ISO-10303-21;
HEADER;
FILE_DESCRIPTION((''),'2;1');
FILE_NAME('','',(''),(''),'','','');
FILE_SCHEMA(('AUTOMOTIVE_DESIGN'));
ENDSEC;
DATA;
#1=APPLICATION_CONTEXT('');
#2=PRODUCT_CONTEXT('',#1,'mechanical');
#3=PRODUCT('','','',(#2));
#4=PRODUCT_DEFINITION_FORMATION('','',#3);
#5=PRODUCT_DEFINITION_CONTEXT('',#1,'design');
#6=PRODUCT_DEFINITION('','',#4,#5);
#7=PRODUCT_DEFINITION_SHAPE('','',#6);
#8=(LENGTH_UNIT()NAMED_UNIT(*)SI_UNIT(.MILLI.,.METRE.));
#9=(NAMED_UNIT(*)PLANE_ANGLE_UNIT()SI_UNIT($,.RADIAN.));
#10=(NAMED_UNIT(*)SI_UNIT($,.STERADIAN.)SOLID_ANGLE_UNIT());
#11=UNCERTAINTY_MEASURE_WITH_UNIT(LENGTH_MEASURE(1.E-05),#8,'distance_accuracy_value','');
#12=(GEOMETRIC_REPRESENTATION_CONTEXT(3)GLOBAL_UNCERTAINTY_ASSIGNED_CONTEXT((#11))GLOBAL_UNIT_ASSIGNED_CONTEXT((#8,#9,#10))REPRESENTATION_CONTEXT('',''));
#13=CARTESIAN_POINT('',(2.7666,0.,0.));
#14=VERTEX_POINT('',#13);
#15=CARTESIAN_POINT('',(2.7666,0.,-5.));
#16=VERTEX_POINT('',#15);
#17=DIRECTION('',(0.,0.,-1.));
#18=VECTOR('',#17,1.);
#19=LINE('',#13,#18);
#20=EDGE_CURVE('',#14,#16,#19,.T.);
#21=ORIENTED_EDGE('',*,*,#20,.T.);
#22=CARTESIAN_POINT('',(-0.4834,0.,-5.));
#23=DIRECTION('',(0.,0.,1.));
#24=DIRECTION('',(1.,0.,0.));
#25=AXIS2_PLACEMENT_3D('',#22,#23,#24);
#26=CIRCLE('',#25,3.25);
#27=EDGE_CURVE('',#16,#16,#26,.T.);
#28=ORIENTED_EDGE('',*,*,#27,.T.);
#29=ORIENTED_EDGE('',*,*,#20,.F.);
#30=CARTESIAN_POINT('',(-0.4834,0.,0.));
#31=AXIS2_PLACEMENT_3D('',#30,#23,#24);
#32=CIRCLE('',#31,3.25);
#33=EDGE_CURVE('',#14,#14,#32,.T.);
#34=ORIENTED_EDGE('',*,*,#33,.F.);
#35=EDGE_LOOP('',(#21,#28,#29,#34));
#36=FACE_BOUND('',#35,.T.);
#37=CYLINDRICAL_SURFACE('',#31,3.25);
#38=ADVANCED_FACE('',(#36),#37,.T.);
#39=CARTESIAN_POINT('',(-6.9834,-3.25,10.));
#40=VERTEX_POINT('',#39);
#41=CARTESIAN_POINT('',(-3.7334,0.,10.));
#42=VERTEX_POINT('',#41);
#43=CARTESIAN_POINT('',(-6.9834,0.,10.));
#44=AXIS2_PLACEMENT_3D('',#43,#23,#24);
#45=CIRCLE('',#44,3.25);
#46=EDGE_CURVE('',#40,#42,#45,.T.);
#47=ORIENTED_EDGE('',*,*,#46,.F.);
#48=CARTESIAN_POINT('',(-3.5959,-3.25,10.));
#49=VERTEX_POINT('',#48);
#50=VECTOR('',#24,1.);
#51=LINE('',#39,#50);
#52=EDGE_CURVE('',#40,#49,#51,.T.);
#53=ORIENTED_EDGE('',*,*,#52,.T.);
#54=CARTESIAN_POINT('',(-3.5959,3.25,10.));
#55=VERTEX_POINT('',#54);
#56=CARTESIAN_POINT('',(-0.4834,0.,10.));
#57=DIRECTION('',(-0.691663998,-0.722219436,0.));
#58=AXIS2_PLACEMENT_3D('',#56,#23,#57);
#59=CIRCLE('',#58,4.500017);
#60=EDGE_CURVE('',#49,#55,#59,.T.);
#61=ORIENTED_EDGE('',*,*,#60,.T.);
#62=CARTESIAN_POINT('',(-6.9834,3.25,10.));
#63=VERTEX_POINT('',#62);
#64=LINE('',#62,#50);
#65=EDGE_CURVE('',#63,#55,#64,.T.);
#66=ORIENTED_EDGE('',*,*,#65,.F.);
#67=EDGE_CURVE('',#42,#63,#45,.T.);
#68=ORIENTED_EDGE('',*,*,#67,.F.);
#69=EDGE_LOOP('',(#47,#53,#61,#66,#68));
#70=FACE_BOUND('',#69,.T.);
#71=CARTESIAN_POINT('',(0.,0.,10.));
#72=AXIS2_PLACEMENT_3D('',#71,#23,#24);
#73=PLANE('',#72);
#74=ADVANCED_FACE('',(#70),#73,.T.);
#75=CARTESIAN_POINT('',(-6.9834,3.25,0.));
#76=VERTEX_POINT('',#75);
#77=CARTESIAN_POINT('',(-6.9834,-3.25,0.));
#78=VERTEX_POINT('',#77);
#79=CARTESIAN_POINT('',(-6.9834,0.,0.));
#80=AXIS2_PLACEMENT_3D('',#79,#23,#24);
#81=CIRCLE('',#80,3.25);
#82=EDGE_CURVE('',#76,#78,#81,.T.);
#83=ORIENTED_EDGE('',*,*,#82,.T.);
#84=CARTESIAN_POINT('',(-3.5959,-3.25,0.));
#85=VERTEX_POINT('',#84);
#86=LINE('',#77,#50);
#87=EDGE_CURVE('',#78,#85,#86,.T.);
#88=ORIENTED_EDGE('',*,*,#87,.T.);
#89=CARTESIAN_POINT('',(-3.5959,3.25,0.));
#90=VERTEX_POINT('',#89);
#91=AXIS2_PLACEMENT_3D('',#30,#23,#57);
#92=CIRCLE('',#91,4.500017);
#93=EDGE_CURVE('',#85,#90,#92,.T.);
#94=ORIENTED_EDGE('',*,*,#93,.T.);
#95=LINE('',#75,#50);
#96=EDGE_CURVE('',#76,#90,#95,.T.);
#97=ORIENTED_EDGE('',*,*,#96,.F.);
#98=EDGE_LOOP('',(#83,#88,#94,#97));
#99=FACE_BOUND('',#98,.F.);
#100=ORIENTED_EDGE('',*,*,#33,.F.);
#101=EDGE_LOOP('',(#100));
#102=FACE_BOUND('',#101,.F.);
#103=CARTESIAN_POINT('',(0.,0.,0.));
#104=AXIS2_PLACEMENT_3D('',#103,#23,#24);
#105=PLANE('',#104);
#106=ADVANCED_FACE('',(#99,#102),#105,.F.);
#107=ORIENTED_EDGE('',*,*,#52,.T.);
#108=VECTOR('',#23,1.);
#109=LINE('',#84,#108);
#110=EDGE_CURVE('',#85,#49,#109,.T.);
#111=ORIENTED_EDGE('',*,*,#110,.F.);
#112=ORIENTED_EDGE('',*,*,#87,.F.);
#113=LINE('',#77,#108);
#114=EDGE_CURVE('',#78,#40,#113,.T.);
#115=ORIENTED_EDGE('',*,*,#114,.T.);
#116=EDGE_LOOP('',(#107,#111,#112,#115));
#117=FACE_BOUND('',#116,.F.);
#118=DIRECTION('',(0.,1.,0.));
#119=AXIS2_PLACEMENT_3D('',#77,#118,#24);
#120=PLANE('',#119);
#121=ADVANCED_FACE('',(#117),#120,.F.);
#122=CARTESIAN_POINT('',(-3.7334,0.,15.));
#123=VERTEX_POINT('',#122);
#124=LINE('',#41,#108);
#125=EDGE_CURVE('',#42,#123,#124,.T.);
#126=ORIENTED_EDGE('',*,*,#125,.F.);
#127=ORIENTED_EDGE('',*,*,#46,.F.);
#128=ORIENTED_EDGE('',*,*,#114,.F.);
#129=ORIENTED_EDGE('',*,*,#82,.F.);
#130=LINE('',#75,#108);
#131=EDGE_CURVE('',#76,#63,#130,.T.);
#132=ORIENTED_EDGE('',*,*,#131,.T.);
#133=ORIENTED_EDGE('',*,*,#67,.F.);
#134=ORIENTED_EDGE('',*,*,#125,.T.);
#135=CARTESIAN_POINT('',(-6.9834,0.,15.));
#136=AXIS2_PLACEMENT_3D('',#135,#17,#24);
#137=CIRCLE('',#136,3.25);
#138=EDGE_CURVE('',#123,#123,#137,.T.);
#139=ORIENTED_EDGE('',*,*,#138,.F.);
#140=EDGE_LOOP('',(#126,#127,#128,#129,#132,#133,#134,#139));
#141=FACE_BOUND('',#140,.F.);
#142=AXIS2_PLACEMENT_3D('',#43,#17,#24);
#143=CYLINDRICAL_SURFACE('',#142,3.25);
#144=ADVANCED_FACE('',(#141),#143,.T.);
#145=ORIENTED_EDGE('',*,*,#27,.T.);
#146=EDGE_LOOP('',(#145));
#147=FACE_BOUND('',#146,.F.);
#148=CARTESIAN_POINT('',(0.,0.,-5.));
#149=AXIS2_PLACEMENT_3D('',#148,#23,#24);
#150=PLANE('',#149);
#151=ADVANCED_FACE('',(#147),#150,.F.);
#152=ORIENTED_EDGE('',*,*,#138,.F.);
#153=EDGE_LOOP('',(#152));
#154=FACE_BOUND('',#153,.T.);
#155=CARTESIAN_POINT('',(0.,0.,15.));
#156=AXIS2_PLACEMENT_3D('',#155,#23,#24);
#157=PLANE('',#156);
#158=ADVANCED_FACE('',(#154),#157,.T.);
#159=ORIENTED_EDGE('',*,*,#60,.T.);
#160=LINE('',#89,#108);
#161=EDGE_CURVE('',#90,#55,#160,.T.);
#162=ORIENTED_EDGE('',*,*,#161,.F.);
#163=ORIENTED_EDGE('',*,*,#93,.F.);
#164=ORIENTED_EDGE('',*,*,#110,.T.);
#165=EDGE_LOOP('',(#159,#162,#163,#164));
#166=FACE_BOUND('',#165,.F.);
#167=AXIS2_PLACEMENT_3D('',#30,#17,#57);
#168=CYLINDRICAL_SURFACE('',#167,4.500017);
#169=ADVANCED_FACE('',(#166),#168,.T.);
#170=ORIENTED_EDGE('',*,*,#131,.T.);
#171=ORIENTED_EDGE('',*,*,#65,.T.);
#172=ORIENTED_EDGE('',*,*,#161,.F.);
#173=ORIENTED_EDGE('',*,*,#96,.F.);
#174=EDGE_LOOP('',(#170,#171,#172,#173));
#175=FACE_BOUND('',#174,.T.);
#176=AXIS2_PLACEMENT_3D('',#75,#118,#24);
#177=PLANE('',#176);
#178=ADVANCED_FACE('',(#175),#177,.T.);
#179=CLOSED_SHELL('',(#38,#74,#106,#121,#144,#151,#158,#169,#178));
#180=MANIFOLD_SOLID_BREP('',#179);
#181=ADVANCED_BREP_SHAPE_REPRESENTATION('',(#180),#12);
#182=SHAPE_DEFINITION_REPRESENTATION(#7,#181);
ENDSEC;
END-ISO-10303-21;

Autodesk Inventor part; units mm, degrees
ref_plane "YZ Plane" through (0, 0, 0) normal (1, 0, 0) x (0, 1, 0)
ref_plane "XZ Plane" through (0, 0, 0) normal (0, 1, 0) x (-1, 0, 0)
ref_plane "XY Plane" through (0, 0, 0) normal (0, 0, 1) x (1, 0, 0)
sketch "Sketch2" plane through (0, 0, 0) normal (0, 0, 1) x (1, 0, 0)
  line L0 (-6.9834, -3.25) -> (-3.5959, -3.25)
  arc A0 (-3.5959, -3.25) -> (-3.5959, 3.25) centre (-0.4834, 0) ccw
  circle A1 centre (-6.9834, 0) radius 3.25
  line L1 (7.6359, 0) -> (-9.8597, 0) construction
  line L2 (-6.9834, 3.25) -> (-3.5959, 3.25)
  circle A2 centre (-6.9834, 0) radius 3.25
  circle A3 centre (-0.4834, 0) radius 3.25
  point P0 (-7.0471, -3.1146)
  dimension "d6" = 6.5
  dimension "d7" = 9
  dimension "d8" = 6.5
extrude "Extrusion1" add sketch "Sketch2" along normal blind 10 contours A3 | A1 L2 A0 L0 | A1
extrude "Extrusion2" add sketch "Sketch2" against normal blind 5 contours A3
sketch "Sketch3" plane through (0, 0, 10) normal (0, 0, 1) x (1, 0, 0)
  arc A0 (-6.9834, 3.25) -> (-6.9834, -3.25) centre (-6.9834, 0) ccw projected
  line L0 (-3.5959, 3.25) -> (-6.9834, 3.25) projected
  arc A1 (-3.5959, -3.25) -> (-3.5959, 3.25) centre (-0.4834, 0) ccw
  line L1 (-6.9834, -3.25) -> (-3.5959, -3.25) projected
  circle A2 centre (-6.9834, 0) radius 3.25
  point P0 (-6.9834, -3.25)
  point P1 (-6.9834, 3.25)
  point P2 (-4.0488, -2.7456)
  point P3 (4.0134, -0.1685)
  dimension "d9" = 6.5
extrude "Extrusion3" add sketch "Sketch3" along normal blind 5 contours A2 A0
equation "\"d6\" = R"
equation "\"d7\" = R1"
equation "\"d8\" = R"
equation "\"d0\" = 2 * thickness"
equation "\"d2\" = thickness"
equation "\"d9\" = R"
equation "\"R\" = 6.5"
equation "\"thickness\" = 5"
equation "\"width\" = 6.5"
equation "\"R1\" = 9"
